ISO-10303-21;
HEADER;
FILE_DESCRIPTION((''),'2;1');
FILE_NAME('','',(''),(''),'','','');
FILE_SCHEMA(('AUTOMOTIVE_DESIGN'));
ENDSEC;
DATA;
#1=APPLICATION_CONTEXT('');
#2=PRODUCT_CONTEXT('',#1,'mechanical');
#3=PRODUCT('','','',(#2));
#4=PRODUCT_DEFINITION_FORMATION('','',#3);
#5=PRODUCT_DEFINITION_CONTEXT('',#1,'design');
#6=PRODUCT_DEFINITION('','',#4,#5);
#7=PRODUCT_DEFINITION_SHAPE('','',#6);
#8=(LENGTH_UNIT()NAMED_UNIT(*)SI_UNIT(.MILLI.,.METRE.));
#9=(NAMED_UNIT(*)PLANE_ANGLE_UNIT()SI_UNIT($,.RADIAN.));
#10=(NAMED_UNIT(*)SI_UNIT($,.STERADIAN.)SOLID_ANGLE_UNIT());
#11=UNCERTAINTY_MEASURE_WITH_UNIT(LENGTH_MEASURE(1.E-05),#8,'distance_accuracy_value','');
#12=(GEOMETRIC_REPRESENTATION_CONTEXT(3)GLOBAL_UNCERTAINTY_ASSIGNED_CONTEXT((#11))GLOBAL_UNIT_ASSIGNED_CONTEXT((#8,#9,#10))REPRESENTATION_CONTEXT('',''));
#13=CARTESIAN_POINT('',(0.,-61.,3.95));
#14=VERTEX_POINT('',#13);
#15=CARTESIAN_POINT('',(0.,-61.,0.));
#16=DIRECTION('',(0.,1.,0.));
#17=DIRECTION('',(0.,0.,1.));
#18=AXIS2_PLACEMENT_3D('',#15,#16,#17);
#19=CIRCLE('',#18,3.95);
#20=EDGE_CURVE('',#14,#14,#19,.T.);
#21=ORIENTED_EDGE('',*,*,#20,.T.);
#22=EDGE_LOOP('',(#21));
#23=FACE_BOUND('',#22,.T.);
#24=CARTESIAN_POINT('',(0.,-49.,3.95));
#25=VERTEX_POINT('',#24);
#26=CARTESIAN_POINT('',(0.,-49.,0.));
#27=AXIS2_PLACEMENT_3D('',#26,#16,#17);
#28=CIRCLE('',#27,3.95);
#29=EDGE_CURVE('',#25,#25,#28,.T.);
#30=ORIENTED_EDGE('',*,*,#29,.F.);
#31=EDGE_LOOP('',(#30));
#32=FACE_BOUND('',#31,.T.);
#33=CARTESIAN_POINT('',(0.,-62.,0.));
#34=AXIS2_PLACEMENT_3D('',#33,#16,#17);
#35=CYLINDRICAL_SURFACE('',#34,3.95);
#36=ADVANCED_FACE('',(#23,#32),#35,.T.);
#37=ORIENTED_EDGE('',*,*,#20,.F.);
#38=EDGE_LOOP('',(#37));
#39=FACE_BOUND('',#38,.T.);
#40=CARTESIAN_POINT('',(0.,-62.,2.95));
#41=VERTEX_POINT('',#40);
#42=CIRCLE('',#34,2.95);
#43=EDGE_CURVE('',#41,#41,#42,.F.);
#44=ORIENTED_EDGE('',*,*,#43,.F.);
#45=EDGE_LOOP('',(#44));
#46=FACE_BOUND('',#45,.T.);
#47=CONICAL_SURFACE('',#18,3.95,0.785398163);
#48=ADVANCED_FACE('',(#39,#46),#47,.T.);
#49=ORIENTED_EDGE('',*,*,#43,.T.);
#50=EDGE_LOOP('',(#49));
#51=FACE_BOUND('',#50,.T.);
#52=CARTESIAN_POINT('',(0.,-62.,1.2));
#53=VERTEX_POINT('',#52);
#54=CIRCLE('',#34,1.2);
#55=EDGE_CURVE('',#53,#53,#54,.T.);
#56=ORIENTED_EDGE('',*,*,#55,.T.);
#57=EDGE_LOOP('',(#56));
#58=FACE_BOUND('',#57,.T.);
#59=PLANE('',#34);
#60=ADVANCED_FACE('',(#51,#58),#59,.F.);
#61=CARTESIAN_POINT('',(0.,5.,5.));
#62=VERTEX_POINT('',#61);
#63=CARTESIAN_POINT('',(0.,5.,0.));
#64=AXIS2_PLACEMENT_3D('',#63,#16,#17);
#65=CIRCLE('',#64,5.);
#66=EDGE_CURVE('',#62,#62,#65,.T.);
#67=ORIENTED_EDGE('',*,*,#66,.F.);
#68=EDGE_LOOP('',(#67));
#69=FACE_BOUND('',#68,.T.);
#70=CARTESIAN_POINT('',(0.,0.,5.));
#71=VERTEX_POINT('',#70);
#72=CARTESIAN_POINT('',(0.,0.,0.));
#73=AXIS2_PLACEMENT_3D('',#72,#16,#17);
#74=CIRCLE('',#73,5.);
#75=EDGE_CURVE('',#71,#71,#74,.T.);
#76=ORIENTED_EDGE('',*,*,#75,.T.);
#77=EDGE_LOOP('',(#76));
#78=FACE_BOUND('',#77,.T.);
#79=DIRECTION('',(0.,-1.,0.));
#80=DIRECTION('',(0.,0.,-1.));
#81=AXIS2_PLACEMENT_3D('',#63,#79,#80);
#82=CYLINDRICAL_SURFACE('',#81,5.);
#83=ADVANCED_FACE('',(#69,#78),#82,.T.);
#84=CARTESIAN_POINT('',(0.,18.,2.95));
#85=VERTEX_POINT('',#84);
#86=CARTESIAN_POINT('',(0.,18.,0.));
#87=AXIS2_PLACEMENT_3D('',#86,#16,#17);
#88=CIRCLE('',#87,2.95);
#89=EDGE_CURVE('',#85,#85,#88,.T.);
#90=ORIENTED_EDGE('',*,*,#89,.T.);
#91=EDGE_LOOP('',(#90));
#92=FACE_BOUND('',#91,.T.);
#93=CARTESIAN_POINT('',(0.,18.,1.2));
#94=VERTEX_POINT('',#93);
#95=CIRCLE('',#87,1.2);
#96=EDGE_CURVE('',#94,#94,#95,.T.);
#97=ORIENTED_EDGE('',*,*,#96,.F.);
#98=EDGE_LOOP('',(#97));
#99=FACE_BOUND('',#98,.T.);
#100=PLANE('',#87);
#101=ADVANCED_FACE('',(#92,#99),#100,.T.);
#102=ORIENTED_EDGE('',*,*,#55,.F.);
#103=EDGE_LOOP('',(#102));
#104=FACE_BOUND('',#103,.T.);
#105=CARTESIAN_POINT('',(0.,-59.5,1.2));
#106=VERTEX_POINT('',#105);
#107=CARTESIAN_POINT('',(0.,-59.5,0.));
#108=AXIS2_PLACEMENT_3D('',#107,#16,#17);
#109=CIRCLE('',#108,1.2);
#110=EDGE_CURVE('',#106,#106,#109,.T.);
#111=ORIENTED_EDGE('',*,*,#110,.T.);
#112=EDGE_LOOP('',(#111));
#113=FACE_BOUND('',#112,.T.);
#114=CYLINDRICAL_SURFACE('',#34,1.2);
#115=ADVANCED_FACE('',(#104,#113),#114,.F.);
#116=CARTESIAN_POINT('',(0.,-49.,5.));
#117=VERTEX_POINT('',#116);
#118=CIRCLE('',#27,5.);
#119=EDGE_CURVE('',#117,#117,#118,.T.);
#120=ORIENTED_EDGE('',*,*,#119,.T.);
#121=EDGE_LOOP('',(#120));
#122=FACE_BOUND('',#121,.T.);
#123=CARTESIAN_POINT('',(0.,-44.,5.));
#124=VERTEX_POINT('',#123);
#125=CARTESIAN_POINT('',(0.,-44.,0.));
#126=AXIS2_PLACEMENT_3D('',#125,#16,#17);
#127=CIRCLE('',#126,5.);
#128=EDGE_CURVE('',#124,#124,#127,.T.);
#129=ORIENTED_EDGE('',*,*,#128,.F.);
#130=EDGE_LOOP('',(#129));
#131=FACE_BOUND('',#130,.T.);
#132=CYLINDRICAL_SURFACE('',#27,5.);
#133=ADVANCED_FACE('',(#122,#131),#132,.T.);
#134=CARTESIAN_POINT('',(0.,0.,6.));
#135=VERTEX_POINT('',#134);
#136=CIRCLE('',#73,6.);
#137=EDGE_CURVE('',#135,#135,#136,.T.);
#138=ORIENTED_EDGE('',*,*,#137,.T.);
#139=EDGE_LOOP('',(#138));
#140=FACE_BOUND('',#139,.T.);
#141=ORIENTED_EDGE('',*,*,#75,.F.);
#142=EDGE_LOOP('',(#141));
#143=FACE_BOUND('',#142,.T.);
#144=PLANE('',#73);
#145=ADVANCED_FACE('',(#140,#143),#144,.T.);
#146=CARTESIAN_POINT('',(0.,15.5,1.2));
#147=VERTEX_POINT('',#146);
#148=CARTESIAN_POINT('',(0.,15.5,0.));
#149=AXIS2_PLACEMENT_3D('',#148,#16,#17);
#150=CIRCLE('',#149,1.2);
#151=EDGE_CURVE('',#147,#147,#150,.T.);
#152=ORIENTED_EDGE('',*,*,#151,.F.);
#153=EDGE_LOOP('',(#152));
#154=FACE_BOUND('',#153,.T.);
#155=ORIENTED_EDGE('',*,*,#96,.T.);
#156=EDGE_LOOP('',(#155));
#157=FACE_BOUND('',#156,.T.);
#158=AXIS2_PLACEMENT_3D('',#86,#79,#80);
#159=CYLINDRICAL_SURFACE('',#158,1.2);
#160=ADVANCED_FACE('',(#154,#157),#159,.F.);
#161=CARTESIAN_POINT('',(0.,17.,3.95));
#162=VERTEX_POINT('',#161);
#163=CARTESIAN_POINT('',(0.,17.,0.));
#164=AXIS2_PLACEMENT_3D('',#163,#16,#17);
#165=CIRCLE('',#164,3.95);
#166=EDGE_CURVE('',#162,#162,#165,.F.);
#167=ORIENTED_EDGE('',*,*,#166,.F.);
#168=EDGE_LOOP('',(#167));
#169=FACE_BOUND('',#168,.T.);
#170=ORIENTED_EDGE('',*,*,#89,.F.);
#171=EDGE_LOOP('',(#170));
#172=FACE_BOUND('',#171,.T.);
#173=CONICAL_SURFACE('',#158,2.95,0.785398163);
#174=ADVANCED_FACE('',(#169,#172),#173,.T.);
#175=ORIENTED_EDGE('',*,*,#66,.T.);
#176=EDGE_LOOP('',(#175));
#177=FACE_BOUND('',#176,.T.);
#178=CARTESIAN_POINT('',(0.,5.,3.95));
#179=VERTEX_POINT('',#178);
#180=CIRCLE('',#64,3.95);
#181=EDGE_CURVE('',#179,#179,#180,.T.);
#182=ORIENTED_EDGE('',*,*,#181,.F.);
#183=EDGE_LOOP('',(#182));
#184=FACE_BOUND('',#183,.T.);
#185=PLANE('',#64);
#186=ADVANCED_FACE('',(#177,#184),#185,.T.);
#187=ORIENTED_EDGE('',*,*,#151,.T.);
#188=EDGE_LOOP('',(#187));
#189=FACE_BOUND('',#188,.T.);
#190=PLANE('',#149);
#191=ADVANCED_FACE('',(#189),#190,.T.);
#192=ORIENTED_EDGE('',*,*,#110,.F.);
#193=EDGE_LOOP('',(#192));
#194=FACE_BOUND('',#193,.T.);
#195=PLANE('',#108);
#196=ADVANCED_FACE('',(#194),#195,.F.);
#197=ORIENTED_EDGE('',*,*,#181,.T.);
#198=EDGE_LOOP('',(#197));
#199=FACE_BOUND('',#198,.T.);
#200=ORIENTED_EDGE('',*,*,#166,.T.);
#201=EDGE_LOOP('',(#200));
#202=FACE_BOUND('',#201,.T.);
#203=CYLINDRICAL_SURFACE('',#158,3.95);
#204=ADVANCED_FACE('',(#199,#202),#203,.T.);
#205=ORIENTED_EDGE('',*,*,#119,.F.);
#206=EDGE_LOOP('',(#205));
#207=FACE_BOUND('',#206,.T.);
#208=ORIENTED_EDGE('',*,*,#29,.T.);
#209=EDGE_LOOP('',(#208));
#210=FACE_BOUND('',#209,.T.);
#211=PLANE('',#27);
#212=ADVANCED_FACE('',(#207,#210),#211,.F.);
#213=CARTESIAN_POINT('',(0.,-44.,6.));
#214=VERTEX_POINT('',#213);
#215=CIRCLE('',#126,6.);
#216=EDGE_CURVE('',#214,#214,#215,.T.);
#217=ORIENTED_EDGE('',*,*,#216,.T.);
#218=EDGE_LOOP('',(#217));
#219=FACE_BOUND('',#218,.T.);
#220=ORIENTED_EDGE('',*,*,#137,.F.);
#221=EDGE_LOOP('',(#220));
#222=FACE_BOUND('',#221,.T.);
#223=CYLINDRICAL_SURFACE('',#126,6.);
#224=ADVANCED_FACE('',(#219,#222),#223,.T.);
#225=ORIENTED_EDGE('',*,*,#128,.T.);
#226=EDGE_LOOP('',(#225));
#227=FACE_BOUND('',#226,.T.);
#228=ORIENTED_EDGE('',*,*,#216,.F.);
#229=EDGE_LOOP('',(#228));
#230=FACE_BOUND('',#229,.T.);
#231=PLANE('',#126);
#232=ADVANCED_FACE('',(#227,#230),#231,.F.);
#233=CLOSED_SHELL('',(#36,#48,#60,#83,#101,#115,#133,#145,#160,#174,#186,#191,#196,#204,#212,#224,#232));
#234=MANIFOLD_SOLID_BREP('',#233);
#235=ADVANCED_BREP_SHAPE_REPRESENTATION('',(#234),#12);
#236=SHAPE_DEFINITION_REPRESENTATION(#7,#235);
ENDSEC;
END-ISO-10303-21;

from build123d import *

# Parameters (mm, degrees)
SKETCH4_R           = 3.95
BOSS_EXTRUDE2_DEPTH = 18
CUT_EXTRUDE2_START  = 15.5
SKETCH4_3_R         = 1.2
CUT_EXTRUDE2_DEPTH  = 2.5
SKETCH4_4_R         = 5
SKETCH4_4_R_2       = 3.95
BOSS_EXTRUDE3_DEPTH = 5
SKETCH4_5_R         = 6
BOSS_EXTRUDE4_DEPTH = 44
BOSS_EXTRUDE8_START = -49
SKETCH4_10_R        = 5
BOSS_EXTRUDE8_DEPTH = 49
BOSS_EXTRUDE9_START = -62
SKETCH4_11_R        = 3.95
BOSS_EXTRUDE9_DEPTH = 62
CUT_EXTRUDE3_START  = -59.5
SKETCH4_13_R        = 1.2
CUT_EXTRUDE3_DEPTH  = 4.077951389
CHAMFER3_SIZE       = 1


with BuildPart() as part:
    # Sketch4 → Boss-Extrude2 (new body)
    with BuildSketch(Plane(origin=(0, 0, 0), x_dir=(1, 0, 0), z_dir=(0, 1, 0))):
        Circle(SKETCH4_R)
    extrude(amount=BOSS_EXTRUDE2_DEPTH)

    # Sketch4<3> → Cut-Extrude2 (cut)
    with BuildSketch(Plane(origin=(0, 0, 0), x_dir=(1, 0, 0), z_dir=(0, 1, 0)).offset(CUT_EXTRUDE2_START)):
        Circle(SKETCH4_3_R)
    extrude(amount=CUT_EXTRUDE2_DEPTH, mode=Mode.SUBTRACT)

    # Sketch4<4> → Boss-Extrude3 (add)
    with BuildSketch(Plane(origin=(0, 0, 0), x_dir=(1, 0, 0), z_dir=(0, 1, 0))):
        Circle(SKETCH4_4_R)
        Circle(SKETCH4_4_R_2, mode=Mode.SUBTRACT)
    extrude(amount=BOSS_EXTRUDE3_DEPTH)

    # Sketch4<5> → Boss-Extrude4 (add)
    with BuildSketch(Plane(origin=(0, 0, 0), x_dir=(1, 0, 0), z_dir=(0, 1, 0))):
        Circle(SKETCH4_5_R)
    extrude(amount=-BOSS_EXTRUDE4_DEPTH)

    # Sketch4<10> → Boss-Extrude8 (add)
    with BuildSketch(Plane(origin=(0, 0, 0), x_dir=(1, 0, 0), z_dir=(0, 1, 0)).offset(BOSS_EXTRUDE8_START)):
        Circle(SKETCH4_10_R)
    extrude(amount=BOSS_EXTRUDE8_DEPTH)

    # Sketch4<11> → Boss-Extrude9 (add)
    with BuildSketch(Plane(origin=(0, 0, 0), x_dir=(1, 0, 0), z_dir=(0, 1, 0)).offset(BOSS_EXTRUDE9_START)):
        Circle(SKETCH4_11_R)
    extrude(amount=BOSS_EXTRUDE9_DEPTH)

    # Sketch4<13> → Cut-Extrude3 (cut, through all)
    with BuildSketch(Plane(origin=(0, 0, 0), x_dir=(1, 0, 0), z_dir=(0, 1, 0)).offset(CUT_EXTRUDE3_START)):
        Circle(SKETCH4_13_R)
    extrude(amount=-CUT_EXTRUDE3_DEPTH, mode=Mode.SUBTRACT)

    # Chamfer3
    chamfer3_edges = [part.edges().sort_by_distance(p)[0] for p in [
        (-3.95, 18, 0),
        (-3.95, -62, 0),
    ]]
    chamfer(chamfer3_edges, length=CHAMFER3_SIZE)


solid = part.part
